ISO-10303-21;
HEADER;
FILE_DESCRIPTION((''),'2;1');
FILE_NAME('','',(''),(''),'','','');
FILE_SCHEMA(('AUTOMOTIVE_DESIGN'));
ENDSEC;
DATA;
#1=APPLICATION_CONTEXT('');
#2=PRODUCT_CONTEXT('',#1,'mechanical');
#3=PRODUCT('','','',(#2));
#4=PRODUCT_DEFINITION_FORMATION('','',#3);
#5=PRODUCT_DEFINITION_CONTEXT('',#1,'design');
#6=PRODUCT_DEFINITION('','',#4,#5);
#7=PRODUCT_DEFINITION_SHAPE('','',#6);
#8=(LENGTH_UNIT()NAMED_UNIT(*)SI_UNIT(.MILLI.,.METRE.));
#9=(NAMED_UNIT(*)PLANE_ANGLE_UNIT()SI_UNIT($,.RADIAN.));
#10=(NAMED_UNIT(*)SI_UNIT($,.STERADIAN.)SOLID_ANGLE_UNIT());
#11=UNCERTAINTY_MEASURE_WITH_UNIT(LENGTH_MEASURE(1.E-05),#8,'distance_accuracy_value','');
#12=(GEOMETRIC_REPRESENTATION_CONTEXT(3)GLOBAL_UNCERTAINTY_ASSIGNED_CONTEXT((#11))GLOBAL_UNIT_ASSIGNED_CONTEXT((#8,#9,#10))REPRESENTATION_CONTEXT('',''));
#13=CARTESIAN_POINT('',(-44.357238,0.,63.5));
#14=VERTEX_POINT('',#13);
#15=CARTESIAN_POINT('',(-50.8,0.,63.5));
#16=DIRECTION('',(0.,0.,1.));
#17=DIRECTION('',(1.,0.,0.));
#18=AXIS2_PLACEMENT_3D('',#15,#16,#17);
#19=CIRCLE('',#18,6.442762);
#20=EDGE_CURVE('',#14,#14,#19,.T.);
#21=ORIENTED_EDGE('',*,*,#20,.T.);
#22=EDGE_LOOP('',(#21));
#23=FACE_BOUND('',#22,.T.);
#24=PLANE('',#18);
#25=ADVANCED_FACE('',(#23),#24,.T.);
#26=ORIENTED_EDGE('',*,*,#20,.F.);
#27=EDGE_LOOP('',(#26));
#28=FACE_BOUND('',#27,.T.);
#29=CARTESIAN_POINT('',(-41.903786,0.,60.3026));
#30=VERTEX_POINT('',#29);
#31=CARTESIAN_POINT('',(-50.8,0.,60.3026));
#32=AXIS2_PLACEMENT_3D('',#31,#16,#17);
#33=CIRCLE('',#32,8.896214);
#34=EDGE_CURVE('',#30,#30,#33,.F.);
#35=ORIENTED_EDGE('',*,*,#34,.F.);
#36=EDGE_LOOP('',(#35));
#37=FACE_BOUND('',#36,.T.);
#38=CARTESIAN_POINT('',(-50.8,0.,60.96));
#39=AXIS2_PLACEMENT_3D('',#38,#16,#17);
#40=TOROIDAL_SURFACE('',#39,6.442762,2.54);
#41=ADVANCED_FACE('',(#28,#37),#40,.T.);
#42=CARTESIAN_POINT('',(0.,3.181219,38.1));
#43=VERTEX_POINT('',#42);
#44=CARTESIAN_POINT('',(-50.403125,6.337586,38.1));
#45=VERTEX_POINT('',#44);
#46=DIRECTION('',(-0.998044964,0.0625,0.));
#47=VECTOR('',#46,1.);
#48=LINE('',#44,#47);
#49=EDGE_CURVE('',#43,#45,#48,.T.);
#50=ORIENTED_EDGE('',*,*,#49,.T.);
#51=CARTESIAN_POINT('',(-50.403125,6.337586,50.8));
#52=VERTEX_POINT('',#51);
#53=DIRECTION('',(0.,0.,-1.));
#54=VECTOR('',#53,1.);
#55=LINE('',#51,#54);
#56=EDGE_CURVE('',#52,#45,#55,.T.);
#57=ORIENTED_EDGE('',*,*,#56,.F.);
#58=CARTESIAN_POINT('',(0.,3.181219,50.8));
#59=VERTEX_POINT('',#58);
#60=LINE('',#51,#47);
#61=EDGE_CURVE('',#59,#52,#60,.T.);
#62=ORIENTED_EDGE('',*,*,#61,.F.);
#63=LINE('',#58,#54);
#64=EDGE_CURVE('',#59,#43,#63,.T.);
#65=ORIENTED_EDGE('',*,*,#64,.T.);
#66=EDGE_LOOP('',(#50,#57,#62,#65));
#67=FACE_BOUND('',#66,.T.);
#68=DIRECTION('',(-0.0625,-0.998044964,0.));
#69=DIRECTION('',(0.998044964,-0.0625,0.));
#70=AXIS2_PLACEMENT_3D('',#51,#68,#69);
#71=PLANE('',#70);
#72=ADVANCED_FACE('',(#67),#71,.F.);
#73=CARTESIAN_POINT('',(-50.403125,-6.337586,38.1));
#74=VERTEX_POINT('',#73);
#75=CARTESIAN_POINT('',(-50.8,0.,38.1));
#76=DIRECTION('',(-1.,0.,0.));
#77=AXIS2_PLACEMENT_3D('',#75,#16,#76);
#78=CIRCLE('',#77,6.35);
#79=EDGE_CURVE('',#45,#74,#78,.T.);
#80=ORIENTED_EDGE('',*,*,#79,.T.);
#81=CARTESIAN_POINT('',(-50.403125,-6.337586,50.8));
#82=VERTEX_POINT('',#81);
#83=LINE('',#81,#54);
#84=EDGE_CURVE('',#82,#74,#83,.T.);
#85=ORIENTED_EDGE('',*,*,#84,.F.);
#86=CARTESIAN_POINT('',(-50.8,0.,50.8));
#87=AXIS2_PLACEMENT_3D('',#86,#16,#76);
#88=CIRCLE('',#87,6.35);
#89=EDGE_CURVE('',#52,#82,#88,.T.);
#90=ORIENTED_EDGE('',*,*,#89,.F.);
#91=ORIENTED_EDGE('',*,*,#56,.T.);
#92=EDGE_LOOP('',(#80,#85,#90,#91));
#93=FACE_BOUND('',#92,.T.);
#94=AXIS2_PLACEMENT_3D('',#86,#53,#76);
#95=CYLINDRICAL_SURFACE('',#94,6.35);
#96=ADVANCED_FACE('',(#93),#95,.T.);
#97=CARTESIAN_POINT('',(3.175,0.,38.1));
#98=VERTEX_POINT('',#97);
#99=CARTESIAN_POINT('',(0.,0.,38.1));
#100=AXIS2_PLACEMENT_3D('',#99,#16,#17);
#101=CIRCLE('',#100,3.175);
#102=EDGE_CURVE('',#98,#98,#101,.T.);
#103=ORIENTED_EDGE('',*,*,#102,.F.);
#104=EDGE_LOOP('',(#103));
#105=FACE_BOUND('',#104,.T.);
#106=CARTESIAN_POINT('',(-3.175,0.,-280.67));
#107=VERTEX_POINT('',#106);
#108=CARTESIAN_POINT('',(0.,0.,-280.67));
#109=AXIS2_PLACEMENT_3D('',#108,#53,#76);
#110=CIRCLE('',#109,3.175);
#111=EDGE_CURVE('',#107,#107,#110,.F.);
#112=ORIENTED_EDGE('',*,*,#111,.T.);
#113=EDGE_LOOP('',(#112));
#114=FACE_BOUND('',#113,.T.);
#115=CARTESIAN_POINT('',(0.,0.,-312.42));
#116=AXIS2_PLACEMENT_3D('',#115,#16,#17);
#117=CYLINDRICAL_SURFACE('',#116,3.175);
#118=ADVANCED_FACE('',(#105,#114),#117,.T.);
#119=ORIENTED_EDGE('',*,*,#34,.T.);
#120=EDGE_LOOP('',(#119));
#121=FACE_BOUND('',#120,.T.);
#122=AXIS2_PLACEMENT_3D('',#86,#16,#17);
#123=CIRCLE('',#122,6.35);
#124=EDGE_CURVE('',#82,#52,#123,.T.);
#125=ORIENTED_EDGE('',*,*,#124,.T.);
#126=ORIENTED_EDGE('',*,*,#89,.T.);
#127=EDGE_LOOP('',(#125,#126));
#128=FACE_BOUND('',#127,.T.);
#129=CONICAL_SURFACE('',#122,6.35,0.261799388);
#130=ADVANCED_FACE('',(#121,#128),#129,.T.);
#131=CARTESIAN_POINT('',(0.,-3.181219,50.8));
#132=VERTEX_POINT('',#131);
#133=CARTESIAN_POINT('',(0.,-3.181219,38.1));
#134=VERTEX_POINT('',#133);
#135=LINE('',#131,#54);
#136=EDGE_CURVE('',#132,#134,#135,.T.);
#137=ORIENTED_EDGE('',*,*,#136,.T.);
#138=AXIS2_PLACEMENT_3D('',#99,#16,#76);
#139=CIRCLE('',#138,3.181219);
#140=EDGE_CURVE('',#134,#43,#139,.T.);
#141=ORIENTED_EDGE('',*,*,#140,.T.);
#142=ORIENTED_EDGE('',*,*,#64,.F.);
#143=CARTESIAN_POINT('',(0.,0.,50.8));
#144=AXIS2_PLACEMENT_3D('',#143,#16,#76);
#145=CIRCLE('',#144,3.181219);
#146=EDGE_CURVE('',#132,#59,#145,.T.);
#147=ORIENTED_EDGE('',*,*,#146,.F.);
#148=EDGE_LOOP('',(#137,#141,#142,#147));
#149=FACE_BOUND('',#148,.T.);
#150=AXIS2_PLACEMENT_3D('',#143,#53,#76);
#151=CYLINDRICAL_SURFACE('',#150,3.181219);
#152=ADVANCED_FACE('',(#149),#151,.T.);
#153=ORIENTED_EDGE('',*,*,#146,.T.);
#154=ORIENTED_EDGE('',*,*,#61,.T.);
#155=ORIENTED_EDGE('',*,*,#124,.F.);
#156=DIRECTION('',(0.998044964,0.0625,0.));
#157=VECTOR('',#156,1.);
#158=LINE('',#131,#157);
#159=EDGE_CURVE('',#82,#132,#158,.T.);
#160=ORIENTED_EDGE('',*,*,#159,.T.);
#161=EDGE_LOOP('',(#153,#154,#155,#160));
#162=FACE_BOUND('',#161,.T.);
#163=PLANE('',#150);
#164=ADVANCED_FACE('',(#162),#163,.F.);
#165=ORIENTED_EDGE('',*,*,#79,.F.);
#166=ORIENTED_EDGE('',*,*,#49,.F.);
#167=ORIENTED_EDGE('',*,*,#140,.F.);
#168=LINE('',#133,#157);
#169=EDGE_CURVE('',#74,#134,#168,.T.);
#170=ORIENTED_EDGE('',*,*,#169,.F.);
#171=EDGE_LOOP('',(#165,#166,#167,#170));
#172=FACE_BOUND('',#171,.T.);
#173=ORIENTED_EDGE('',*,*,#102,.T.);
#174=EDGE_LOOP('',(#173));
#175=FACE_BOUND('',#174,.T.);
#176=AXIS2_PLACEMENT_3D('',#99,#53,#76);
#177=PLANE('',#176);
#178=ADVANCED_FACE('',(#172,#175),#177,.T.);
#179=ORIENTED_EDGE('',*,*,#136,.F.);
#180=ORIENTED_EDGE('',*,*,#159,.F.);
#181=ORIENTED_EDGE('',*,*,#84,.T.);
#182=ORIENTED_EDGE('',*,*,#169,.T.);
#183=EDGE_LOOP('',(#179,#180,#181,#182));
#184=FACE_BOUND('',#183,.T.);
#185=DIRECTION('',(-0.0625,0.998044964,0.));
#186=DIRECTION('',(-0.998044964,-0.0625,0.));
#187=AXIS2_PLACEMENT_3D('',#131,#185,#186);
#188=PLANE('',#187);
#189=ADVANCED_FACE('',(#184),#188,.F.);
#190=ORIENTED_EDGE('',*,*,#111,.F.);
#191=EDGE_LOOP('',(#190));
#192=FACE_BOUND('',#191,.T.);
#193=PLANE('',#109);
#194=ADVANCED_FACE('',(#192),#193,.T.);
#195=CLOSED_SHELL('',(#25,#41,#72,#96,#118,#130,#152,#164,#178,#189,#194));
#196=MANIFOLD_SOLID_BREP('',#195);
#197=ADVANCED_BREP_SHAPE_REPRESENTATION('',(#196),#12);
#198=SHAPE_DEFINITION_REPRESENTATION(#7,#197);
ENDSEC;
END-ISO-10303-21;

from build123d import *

# Parameters (mm, degrees)
BOSS_EXTRUDE1_DEPTH      = 38.1
BOSS_EXTRUDE1_DEPTH_BACK = 312.42
SKETCH1_R                = 3.175
BOSS_EXTRUDE2_DEPTH      = 12.7
SKETCH6_R                = 6.35
BOSS_EXTRUDE3_DEPTH      = 12.7
BOSS_EXTRUDE3_DRAFT      = -15
SKETCH7_R                = 26.162
CUT_EXTRUDE1_DEPTH       = 31.75
FILLET1_R                = 2.54


with BuildPart() as part:
    # Sketch1 → Boss-Extrude1 (new, two sides: drawn at the far end of the back side and taken through both)
    with BuildSketch(Plane.XY.offset(-BOSS_EXTRUDE1_DEPTH_BACK)):
        Circle(SKETCH1_R)
    extrude(amount=BOSS_EXTRUDE1_DEPTH + BOSS_EXTRUDE1_DEPTH_BACK)

    # Sketch5 → Boss-Extrude2 (add)
    with BuildSketch(Plane.XY.offset(38.1)):
        with BuildLine():
            Line((0, -3.181219399), (-50.403125, -6.337585521))
            ThreePointArc((-50.403125, -6.337585521), (-57.15, 0), (-50.403125, 6.337585521))
            Line((-50.403125, 6.337585521), (0, 3.181219399))
            ThreePointArc((0, 3.181219399), (3.181219399, 0), (0, -3.181219399))
        make_face()
    extrude(amount=BOSS_EXTRUDE2_DEPTH)


with BuildPart() as boss_extrude3_tool:
    # Sketch6 → Boss-Extrude3 (with draft: the straight prism first)
    with BuildSketch(Plane.XY.offset(50.8)):
        with Locations((-50.8, 0)):
            Circle(SKETCH6_R)
    extrude(amount=BOSS_EXTRUDE3_DEPTH)
    # Boss-Extrude3: the draft: its side faces are tilted about the plane it starts from
    boss_extrude3_sides = [boss_extrude3_tool.faces().sort_by_distance(p)[0] for p in [
        (-57.15, 0, 57.15),
    ]]
    draft(boss_extrude3_sides, Plane.XY.offset(50.8), BOSS_EXTRUDE3_DRAFT)


with BuildPart() as part_1:
    add(part.part)

    # Boss-Extrude3: add boss_extrude3_tool
    add(boss_extrude3_tool.part)

    # Sketch7 → Cut-Extrude1 (cut)
    with BuildSketch(Plane(origin=(0, 0, -312.42), x_dir=(-1, 0, 0), z_dir=(0, 0, -1))):
        Circle(SKETCH7_R)
    extrude(amount=-CUT_EXTRUDE1_DEPTH, mode=Mode.SUBTRACT)

    # Fillet1
    fillet1_edges = [part_1.edges().sort_by_distance(p)[0] for p in [
        (-60.552954744, 0, 63.5),
    ]]
    fillet(fillet1_edges, radius=FILLET1_R)


solid = part_1.part
